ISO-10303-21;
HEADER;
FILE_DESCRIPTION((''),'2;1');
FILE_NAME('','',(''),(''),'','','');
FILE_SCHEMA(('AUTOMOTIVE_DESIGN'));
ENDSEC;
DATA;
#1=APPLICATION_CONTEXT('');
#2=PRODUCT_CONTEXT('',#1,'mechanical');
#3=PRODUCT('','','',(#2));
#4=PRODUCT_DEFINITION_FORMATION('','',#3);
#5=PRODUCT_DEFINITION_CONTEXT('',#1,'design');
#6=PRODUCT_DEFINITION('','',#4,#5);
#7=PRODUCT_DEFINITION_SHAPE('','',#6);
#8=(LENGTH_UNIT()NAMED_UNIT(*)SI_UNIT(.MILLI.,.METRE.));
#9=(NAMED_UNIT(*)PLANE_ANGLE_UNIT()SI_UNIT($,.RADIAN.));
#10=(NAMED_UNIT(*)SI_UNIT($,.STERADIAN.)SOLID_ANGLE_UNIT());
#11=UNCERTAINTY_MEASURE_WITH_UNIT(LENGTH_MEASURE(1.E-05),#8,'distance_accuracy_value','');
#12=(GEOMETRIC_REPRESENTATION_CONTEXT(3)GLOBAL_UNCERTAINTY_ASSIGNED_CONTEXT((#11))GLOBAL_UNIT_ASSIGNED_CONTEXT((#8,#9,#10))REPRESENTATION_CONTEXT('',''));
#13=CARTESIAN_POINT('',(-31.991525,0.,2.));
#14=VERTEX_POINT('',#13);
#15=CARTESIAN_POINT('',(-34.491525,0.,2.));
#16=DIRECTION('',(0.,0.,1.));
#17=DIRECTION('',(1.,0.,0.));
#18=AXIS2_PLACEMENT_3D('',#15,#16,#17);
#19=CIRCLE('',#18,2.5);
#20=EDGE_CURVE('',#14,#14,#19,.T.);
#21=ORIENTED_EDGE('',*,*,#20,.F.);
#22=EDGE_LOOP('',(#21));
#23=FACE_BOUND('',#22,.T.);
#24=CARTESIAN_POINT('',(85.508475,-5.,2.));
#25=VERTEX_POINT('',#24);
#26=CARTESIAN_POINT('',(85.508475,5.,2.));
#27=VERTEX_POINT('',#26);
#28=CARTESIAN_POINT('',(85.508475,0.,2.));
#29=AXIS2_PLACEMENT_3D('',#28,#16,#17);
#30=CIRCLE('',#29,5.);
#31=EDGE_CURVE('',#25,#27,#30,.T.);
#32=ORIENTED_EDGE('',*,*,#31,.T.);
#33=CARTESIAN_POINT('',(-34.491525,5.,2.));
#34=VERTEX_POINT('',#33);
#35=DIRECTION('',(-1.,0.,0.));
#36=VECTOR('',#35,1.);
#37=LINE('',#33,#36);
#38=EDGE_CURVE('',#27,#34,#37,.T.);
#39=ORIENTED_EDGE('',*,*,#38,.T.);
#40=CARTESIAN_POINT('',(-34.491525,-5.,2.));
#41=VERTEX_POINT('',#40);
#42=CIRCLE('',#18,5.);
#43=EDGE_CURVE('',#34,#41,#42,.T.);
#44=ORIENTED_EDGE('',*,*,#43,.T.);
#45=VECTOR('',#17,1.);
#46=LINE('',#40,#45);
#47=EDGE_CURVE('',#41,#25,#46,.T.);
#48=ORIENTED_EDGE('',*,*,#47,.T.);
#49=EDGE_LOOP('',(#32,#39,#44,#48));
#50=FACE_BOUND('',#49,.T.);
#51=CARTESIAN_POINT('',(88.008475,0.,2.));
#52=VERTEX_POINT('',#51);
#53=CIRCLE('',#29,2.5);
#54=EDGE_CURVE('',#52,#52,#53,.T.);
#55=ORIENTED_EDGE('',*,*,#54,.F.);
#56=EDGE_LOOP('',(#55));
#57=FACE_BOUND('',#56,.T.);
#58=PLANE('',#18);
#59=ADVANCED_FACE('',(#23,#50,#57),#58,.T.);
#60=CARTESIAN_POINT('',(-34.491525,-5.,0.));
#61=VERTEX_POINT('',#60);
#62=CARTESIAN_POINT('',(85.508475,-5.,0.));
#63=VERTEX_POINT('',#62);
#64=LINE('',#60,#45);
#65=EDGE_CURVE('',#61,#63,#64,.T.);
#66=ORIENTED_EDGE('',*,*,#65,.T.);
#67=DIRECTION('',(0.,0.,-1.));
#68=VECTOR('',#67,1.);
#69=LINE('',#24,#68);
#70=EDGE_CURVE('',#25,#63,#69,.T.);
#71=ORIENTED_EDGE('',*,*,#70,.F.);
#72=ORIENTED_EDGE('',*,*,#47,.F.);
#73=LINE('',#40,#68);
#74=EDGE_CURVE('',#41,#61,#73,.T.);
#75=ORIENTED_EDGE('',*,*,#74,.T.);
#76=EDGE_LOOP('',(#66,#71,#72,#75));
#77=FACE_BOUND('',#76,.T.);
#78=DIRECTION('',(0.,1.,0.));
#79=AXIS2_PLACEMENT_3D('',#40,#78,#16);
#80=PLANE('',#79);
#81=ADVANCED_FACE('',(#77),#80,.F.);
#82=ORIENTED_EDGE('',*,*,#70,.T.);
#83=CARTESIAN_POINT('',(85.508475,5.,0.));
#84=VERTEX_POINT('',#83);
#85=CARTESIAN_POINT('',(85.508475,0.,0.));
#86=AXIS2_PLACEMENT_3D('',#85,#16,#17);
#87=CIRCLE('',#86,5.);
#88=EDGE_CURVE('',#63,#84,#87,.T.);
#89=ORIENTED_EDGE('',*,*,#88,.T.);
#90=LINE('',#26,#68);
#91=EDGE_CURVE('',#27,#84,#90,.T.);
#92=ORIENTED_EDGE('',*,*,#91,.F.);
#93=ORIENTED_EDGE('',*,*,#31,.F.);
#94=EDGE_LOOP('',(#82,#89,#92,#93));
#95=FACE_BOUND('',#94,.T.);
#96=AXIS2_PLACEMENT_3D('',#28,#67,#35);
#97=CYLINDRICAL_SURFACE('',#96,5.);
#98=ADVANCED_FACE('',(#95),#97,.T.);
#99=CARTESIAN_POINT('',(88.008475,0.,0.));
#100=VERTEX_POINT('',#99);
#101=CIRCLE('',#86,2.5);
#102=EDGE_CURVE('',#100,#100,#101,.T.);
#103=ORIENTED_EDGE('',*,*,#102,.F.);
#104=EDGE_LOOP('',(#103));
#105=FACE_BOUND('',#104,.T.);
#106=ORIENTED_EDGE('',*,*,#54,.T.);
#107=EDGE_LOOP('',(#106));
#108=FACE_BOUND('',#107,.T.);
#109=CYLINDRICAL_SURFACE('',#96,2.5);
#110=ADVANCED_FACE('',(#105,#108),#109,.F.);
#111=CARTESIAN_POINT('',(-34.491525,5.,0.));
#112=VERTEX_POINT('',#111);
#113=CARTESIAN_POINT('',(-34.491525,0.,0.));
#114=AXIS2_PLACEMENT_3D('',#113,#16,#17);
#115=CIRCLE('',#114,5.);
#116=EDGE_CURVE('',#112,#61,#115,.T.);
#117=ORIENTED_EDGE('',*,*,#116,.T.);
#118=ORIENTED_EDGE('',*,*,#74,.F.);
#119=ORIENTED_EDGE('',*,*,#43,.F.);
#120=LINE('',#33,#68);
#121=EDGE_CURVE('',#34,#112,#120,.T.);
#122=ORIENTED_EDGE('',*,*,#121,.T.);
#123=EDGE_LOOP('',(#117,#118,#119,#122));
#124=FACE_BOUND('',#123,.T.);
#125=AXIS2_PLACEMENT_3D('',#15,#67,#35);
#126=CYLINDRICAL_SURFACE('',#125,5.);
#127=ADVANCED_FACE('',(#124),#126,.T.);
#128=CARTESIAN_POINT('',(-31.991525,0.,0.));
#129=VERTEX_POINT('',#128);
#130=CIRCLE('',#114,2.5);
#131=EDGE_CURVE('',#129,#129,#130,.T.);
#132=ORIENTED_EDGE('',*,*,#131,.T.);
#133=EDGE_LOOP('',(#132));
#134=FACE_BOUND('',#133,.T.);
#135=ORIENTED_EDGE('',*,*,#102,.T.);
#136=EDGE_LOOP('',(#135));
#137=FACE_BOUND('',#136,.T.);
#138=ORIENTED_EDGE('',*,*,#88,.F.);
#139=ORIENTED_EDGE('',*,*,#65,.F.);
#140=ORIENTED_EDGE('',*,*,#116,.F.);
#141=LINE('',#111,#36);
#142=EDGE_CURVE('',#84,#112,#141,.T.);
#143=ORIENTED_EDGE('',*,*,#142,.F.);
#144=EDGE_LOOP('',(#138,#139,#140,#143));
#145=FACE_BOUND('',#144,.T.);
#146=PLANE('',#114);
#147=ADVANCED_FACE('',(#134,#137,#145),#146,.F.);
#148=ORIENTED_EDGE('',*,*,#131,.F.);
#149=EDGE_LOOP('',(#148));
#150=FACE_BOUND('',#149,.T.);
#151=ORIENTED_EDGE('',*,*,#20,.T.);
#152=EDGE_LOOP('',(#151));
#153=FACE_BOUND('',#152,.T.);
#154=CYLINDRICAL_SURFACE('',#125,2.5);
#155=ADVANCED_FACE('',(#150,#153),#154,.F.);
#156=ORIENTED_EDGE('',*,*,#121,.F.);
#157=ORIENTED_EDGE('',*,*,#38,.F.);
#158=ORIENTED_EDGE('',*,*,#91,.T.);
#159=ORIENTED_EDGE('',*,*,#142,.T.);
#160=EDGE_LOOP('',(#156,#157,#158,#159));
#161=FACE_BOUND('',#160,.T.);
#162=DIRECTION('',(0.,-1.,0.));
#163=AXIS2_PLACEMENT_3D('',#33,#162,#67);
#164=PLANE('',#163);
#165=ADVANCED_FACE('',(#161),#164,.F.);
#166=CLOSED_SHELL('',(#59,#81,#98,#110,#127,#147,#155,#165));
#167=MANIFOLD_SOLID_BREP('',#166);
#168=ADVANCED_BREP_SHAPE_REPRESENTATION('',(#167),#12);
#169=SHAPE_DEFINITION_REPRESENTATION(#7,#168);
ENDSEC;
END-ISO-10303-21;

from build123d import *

# Parameters (mm, degrees)
SKETCH1_R           = 2.5
BOSS_EXTRUDE1_DEPTH = 2


with BuildPart() as part:
    # Sketch1 → Boss-Extrude1 (new body)
    with BuildSketch(Plane.XY):
        with BuildLine():
            Line((-34.491525424, 5), (85.508474576, 5))
            ThreePointArc((85.508474576, 5), (90.508474576, 0), (85.508474576, -5))
            Line((85.508474576, -5), (-34.491525424, -5))
            ThreePointArc((-34.491525424, -5), (-39.491525424, 0), (-34.491525424, 5))
        make_face()
        with Locations((-34.491525424, 0)):
            Circle(SKETCH1_R, mode=Mode.SUBTRACT)
        with Locations((85.508474576, 0)):
            Circle(SKETCH1_R, mode=Mode.SUBTRACT)
    extrude(amount=BOSS_EXTRUDE1_DEPTH)


solid = part.part
